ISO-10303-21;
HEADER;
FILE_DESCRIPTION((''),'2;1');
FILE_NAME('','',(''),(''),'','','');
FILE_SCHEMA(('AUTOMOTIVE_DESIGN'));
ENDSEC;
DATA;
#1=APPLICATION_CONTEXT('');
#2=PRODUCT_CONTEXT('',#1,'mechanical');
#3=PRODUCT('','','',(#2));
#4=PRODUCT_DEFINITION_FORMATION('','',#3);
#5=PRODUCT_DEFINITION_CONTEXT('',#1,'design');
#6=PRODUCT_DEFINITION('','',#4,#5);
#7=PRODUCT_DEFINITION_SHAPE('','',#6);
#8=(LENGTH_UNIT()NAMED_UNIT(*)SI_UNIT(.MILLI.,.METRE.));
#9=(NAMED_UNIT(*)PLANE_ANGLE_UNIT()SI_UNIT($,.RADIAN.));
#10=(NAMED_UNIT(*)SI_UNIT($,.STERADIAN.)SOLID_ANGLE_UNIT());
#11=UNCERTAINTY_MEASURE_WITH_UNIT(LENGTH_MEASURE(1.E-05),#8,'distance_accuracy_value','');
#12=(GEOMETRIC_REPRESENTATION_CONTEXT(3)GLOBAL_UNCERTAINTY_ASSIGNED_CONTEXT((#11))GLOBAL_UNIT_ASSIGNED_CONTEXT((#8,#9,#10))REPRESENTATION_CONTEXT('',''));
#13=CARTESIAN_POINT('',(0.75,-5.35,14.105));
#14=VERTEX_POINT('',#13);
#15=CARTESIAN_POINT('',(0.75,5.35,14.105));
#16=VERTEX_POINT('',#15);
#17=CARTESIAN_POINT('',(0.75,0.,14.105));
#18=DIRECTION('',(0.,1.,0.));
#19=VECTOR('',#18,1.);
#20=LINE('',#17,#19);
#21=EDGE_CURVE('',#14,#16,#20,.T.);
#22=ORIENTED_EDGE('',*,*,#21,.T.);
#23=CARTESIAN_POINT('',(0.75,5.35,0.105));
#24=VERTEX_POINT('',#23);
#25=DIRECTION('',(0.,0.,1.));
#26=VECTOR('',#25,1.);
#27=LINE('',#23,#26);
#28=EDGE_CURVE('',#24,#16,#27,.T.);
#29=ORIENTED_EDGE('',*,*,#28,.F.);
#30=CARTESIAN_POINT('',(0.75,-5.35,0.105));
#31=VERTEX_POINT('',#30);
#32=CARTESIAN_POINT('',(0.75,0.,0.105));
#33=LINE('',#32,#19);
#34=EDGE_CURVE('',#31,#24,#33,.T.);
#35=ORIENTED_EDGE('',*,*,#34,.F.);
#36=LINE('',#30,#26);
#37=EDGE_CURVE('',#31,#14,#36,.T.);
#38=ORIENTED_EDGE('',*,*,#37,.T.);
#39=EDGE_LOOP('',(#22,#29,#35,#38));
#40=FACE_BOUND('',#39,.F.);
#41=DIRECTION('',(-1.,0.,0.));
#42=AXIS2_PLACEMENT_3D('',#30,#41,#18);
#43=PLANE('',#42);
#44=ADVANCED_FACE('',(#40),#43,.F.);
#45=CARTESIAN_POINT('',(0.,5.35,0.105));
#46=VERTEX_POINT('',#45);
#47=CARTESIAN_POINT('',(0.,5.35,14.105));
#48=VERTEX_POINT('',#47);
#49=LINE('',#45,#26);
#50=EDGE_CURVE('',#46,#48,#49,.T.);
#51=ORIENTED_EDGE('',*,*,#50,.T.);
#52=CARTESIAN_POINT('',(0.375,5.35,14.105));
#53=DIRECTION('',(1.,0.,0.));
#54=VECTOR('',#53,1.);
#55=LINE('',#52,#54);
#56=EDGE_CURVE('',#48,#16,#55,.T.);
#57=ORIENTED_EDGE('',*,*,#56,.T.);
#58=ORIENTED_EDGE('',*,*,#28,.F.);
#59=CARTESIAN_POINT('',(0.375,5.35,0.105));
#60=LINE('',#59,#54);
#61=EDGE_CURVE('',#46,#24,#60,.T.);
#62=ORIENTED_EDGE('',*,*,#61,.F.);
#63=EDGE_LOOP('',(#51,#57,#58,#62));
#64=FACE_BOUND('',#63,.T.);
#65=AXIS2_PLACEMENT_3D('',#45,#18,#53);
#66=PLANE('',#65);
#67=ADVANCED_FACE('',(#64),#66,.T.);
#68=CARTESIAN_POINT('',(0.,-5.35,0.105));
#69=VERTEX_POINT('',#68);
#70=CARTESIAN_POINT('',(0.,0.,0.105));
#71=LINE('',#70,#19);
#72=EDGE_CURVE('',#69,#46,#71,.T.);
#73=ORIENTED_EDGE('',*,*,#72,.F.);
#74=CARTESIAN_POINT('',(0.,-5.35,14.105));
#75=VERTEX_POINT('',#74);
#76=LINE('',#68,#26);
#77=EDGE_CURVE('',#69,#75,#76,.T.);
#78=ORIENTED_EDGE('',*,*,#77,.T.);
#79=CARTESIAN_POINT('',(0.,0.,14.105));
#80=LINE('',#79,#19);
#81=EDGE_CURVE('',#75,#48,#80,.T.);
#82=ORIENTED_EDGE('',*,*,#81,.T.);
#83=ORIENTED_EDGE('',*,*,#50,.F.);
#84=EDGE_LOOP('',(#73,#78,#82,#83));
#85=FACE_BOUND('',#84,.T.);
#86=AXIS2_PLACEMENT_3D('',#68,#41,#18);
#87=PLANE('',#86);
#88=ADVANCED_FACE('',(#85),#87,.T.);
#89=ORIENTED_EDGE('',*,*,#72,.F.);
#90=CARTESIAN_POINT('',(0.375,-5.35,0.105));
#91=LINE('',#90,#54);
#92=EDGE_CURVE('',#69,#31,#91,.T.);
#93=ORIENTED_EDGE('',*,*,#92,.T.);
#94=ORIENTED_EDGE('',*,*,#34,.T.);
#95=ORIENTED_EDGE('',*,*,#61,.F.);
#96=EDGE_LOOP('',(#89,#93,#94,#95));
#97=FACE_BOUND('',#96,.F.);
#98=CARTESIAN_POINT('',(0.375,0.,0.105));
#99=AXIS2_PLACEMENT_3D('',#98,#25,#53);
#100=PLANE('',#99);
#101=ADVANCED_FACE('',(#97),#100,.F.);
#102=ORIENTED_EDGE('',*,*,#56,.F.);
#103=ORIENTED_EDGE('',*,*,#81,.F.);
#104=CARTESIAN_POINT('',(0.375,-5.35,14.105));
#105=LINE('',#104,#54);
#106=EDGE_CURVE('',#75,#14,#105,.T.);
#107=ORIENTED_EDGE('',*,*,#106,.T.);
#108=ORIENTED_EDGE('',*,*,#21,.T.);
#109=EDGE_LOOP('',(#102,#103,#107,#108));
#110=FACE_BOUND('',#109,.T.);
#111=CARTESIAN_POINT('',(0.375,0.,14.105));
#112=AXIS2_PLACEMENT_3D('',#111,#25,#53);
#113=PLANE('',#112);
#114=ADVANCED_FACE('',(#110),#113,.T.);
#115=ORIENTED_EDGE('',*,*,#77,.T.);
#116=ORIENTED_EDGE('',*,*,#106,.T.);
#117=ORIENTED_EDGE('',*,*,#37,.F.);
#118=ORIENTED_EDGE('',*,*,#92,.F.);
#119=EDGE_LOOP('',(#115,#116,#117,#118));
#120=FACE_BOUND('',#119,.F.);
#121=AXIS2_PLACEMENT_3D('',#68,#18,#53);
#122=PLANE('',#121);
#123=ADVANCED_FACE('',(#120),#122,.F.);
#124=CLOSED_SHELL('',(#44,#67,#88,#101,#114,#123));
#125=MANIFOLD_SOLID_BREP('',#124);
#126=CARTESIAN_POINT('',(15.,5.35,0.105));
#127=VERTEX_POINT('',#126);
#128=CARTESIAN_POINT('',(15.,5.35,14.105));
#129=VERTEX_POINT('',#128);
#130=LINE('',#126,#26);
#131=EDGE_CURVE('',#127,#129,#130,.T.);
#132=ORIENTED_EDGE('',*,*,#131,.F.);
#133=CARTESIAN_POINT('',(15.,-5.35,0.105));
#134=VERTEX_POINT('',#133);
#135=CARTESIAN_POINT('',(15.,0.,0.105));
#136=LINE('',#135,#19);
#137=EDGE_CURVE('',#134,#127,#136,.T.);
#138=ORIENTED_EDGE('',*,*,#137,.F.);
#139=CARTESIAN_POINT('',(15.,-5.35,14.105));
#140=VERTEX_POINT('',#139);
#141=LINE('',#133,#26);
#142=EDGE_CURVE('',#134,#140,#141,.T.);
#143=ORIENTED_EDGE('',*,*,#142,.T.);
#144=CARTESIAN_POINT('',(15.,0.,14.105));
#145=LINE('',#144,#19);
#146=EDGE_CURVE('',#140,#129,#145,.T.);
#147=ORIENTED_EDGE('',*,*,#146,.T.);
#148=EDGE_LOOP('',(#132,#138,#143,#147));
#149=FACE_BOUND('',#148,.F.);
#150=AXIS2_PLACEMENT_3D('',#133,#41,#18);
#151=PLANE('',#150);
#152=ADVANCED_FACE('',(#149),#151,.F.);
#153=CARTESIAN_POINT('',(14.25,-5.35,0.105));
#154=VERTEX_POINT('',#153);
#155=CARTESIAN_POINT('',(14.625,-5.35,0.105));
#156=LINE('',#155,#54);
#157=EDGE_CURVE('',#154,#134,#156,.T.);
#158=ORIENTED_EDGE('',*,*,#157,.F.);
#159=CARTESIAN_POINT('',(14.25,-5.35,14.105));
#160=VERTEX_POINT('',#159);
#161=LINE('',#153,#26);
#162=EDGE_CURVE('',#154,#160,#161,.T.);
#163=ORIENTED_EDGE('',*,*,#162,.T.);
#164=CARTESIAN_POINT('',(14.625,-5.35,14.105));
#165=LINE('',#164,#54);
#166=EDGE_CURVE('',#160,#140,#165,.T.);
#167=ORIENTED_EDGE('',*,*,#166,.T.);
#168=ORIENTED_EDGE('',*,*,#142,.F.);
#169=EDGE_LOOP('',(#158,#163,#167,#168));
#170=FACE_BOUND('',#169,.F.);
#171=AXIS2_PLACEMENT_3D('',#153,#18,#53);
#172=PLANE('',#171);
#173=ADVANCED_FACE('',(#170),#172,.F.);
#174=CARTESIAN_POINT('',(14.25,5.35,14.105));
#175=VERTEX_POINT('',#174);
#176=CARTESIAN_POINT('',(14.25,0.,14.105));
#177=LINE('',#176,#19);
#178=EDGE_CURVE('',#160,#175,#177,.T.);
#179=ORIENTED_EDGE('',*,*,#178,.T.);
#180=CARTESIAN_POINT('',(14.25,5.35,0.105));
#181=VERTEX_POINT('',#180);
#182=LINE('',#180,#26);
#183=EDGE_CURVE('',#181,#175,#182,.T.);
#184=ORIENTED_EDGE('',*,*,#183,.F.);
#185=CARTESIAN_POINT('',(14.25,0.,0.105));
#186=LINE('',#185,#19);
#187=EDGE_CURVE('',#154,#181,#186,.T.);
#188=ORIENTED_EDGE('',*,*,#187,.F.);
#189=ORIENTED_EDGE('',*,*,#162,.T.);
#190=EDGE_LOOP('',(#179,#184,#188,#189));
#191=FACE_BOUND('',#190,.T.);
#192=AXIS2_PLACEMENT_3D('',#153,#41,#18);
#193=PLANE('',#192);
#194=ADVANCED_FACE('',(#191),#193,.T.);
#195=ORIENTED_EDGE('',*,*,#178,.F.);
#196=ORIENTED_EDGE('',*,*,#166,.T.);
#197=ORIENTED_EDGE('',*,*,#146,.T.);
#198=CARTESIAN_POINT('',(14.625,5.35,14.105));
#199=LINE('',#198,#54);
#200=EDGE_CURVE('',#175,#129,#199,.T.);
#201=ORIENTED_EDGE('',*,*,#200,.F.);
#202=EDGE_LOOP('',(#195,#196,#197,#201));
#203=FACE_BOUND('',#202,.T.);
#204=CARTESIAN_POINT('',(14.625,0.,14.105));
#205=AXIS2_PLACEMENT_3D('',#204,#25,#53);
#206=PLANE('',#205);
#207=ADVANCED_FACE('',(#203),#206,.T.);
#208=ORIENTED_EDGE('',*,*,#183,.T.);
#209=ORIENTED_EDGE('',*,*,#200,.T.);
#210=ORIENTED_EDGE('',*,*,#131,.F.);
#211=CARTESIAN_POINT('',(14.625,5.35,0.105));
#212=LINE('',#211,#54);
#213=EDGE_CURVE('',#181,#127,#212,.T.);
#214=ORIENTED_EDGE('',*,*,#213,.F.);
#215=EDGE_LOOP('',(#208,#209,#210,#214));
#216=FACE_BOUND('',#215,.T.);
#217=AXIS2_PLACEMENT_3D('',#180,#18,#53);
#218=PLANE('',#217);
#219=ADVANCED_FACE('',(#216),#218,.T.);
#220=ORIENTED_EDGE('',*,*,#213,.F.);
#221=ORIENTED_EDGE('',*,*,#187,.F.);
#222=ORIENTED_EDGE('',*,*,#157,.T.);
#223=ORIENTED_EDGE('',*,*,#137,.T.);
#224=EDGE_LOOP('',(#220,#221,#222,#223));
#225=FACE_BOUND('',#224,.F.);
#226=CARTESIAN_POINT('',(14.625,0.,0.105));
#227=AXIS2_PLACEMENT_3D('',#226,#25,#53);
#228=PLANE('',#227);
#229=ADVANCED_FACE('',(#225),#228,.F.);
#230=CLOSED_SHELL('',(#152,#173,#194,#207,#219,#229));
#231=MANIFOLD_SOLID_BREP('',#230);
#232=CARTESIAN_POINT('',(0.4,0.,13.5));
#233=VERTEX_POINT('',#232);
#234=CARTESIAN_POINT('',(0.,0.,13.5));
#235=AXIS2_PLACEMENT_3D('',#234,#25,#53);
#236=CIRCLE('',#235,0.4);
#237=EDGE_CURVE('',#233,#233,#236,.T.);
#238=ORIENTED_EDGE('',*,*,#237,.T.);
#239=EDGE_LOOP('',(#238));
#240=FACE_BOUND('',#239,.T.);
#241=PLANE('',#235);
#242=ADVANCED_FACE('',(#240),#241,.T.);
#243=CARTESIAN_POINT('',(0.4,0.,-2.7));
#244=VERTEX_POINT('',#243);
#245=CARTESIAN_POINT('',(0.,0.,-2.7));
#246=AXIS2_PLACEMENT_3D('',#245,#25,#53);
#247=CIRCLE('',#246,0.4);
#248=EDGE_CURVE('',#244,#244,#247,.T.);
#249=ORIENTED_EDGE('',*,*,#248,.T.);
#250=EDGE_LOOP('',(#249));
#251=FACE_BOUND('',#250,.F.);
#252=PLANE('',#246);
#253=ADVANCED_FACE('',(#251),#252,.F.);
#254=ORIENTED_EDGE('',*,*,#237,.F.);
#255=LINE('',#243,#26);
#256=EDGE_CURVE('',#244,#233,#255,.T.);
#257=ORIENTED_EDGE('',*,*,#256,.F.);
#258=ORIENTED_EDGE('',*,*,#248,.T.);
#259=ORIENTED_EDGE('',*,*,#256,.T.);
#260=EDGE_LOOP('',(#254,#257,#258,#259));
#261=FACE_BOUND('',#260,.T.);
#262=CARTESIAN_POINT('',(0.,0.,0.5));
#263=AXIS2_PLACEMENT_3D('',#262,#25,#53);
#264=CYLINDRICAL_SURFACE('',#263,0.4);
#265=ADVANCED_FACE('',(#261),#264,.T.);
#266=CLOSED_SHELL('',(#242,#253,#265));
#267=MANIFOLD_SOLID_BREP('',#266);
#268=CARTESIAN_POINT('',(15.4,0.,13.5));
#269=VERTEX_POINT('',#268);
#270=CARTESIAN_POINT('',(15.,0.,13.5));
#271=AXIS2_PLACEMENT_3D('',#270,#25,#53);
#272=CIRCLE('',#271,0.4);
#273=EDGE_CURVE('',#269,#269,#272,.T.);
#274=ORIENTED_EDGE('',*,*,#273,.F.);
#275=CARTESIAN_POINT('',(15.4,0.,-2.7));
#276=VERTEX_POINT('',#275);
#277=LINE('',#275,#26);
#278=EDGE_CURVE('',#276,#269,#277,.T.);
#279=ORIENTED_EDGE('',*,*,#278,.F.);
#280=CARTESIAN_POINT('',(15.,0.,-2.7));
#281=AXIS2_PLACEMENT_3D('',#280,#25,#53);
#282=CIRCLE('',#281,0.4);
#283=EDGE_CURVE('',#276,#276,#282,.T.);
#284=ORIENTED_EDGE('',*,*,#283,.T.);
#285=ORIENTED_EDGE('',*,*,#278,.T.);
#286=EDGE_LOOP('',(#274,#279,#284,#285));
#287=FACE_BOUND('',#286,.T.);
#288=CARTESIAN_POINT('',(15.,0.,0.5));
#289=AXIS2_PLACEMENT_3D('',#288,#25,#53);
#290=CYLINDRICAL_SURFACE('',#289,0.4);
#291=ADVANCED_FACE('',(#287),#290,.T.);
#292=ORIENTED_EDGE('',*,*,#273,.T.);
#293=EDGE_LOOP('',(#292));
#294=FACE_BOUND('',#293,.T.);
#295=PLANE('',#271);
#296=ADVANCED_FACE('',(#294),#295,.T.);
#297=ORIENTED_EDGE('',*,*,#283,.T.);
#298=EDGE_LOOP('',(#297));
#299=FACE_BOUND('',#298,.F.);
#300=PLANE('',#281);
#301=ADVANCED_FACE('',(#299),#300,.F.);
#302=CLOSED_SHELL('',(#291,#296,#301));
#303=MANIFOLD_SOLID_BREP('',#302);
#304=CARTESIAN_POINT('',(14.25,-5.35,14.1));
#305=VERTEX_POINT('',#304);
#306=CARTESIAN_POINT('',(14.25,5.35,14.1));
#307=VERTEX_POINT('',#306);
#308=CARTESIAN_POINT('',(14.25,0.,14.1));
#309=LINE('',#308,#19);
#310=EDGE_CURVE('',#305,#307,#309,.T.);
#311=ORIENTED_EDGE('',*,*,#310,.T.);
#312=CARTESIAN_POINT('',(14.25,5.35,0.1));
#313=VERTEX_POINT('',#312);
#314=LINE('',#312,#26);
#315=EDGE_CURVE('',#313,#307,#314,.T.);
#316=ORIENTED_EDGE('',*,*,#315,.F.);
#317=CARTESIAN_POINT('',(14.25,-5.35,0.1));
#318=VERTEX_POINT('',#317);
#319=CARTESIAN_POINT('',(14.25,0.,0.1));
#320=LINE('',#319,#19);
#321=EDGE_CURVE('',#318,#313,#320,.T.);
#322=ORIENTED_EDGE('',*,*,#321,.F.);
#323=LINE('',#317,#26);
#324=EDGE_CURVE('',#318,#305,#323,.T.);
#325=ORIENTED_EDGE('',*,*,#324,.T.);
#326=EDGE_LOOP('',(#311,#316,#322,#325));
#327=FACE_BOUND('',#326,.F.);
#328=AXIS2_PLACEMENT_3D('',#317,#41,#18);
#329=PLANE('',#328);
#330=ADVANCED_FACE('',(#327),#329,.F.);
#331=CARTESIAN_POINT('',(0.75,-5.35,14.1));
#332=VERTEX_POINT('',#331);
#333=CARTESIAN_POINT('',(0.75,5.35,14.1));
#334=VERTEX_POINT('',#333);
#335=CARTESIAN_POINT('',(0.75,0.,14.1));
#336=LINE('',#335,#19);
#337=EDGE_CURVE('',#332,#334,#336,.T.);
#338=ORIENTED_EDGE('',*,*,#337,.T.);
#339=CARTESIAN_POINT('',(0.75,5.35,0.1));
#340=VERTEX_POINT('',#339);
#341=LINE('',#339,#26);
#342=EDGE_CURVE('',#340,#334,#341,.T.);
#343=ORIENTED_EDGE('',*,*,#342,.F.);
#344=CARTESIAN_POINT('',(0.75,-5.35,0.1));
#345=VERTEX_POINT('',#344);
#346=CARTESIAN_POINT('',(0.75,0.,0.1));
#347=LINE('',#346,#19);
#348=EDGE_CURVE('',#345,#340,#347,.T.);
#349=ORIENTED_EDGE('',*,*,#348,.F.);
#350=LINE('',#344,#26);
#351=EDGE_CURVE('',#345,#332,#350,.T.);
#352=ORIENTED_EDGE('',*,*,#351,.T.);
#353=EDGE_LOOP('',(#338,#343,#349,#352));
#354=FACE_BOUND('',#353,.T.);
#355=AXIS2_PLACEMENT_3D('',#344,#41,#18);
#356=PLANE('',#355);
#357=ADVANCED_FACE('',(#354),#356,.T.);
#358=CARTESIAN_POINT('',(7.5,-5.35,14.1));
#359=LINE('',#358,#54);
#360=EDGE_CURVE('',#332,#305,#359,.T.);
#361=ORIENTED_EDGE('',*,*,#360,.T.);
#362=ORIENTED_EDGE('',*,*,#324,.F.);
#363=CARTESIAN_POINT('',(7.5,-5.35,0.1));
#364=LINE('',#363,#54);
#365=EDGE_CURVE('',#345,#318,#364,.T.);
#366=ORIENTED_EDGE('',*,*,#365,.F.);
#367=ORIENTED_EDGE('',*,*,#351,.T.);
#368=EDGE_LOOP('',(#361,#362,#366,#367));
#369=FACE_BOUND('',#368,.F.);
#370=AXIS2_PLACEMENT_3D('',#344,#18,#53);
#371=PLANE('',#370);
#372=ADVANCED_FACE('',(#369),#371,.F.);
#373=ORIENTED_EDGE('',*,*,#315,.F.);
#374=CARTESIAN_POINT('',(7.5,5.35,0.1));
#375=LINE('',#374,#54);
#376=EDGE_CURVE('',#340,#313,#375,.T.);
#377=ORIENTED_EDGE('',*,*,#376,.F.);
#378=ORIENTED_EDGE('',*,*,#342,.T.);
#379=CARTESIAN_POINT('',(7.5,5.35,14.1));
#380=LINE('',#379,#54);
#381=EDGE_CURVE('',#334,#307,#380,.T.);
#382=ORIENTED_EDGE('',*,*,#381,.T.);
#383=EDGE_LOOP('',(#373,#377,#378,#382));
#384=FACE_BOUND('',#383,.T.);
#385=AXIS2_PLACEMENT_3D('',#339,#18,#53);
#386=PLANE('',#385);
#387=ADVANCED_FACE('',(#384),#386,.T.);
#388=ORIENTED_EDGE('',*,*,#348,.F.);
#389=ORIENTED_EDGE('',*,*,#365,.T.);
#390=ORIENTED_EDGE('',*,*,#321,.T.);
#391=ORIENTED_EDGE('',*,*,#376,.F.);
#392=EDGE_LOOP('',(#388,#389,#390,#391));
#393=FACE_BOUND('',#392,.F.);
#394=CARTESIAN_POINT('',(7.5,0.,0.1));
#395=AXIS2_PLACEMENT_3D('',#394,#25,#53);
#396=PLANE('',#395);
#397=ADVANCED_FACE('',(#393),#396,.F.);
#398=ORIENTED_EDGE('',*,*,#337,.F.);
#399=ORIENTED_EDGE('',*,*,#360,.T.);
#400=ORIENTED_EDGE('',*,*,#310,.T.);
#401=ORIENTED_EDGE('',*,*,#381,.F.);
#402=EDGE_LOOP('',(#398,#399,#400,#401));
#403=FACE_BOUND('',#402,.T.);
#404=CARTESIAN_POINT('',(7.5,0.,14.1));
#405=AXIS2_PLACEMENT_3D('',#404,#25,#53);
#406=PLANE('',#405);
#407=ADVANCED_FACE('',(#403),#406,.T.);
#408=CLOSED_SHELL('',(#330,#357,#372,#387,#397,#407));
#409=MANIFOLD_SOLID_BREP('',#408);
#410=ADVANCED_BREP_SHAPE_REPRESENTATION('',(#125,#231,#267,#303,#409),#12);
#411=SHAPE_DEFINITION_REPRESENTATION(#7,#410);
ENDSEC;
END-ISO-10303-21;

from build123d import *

# Parameters (mm, degrees)
SKETCH_W          = 13.5
SKETCH_H          = 10.7
PAD_DEPTH         = 14
SKETCH001_R       = 0.4
PAD001_DEPTH      = 13
PAD001_DEPTH_BACK = 3.2
SKETCH002_W       = 0.75
SKETCH002_H       = 10.7
PAD002_DEPTH      = 14


with BuildPart() as pad:
    # Sketch → Pad (new body)
    with BuildSketch(Plane.XY.offset(0.1)):
        with Locations((7.5, 0)):
            Rectangle(SKETCH_W, SKETCH_H)
    extrude(amount=PAD_DEPTH)


with BuildPart() as pad001:
    # Sketch001 → Pad001 (new body, two sides)
    with BuildSketch(Plane.XY.offset(0.5)) as pad001_sk:
        Circle(SKETCH001_R)
        with Locations((15, 0)):
            Circle(SKETCH001_R)
    extrude(amount=PAD001_DEPTH)
    extrude(pad001_sk.sketch, amount=-PAD001_DEPTH_BACK)


with BuildPart() as pad002:
    # Sketch002 → Pad002 (new body)
    with BuildSketch(Plane.XY.offset(0.105)):
        with Locations((0.375, 0)):
            Rectangle(SKETCH002_W, SKETCH002_H)
        with Locations((14.625, 0)):
            Rectangle(SKETCH002_W, SKETCH002_H)
    extrude(amount=PAD002_DEPTH)


solid = Compound([pad.part, pad001.part, pad002.part])
